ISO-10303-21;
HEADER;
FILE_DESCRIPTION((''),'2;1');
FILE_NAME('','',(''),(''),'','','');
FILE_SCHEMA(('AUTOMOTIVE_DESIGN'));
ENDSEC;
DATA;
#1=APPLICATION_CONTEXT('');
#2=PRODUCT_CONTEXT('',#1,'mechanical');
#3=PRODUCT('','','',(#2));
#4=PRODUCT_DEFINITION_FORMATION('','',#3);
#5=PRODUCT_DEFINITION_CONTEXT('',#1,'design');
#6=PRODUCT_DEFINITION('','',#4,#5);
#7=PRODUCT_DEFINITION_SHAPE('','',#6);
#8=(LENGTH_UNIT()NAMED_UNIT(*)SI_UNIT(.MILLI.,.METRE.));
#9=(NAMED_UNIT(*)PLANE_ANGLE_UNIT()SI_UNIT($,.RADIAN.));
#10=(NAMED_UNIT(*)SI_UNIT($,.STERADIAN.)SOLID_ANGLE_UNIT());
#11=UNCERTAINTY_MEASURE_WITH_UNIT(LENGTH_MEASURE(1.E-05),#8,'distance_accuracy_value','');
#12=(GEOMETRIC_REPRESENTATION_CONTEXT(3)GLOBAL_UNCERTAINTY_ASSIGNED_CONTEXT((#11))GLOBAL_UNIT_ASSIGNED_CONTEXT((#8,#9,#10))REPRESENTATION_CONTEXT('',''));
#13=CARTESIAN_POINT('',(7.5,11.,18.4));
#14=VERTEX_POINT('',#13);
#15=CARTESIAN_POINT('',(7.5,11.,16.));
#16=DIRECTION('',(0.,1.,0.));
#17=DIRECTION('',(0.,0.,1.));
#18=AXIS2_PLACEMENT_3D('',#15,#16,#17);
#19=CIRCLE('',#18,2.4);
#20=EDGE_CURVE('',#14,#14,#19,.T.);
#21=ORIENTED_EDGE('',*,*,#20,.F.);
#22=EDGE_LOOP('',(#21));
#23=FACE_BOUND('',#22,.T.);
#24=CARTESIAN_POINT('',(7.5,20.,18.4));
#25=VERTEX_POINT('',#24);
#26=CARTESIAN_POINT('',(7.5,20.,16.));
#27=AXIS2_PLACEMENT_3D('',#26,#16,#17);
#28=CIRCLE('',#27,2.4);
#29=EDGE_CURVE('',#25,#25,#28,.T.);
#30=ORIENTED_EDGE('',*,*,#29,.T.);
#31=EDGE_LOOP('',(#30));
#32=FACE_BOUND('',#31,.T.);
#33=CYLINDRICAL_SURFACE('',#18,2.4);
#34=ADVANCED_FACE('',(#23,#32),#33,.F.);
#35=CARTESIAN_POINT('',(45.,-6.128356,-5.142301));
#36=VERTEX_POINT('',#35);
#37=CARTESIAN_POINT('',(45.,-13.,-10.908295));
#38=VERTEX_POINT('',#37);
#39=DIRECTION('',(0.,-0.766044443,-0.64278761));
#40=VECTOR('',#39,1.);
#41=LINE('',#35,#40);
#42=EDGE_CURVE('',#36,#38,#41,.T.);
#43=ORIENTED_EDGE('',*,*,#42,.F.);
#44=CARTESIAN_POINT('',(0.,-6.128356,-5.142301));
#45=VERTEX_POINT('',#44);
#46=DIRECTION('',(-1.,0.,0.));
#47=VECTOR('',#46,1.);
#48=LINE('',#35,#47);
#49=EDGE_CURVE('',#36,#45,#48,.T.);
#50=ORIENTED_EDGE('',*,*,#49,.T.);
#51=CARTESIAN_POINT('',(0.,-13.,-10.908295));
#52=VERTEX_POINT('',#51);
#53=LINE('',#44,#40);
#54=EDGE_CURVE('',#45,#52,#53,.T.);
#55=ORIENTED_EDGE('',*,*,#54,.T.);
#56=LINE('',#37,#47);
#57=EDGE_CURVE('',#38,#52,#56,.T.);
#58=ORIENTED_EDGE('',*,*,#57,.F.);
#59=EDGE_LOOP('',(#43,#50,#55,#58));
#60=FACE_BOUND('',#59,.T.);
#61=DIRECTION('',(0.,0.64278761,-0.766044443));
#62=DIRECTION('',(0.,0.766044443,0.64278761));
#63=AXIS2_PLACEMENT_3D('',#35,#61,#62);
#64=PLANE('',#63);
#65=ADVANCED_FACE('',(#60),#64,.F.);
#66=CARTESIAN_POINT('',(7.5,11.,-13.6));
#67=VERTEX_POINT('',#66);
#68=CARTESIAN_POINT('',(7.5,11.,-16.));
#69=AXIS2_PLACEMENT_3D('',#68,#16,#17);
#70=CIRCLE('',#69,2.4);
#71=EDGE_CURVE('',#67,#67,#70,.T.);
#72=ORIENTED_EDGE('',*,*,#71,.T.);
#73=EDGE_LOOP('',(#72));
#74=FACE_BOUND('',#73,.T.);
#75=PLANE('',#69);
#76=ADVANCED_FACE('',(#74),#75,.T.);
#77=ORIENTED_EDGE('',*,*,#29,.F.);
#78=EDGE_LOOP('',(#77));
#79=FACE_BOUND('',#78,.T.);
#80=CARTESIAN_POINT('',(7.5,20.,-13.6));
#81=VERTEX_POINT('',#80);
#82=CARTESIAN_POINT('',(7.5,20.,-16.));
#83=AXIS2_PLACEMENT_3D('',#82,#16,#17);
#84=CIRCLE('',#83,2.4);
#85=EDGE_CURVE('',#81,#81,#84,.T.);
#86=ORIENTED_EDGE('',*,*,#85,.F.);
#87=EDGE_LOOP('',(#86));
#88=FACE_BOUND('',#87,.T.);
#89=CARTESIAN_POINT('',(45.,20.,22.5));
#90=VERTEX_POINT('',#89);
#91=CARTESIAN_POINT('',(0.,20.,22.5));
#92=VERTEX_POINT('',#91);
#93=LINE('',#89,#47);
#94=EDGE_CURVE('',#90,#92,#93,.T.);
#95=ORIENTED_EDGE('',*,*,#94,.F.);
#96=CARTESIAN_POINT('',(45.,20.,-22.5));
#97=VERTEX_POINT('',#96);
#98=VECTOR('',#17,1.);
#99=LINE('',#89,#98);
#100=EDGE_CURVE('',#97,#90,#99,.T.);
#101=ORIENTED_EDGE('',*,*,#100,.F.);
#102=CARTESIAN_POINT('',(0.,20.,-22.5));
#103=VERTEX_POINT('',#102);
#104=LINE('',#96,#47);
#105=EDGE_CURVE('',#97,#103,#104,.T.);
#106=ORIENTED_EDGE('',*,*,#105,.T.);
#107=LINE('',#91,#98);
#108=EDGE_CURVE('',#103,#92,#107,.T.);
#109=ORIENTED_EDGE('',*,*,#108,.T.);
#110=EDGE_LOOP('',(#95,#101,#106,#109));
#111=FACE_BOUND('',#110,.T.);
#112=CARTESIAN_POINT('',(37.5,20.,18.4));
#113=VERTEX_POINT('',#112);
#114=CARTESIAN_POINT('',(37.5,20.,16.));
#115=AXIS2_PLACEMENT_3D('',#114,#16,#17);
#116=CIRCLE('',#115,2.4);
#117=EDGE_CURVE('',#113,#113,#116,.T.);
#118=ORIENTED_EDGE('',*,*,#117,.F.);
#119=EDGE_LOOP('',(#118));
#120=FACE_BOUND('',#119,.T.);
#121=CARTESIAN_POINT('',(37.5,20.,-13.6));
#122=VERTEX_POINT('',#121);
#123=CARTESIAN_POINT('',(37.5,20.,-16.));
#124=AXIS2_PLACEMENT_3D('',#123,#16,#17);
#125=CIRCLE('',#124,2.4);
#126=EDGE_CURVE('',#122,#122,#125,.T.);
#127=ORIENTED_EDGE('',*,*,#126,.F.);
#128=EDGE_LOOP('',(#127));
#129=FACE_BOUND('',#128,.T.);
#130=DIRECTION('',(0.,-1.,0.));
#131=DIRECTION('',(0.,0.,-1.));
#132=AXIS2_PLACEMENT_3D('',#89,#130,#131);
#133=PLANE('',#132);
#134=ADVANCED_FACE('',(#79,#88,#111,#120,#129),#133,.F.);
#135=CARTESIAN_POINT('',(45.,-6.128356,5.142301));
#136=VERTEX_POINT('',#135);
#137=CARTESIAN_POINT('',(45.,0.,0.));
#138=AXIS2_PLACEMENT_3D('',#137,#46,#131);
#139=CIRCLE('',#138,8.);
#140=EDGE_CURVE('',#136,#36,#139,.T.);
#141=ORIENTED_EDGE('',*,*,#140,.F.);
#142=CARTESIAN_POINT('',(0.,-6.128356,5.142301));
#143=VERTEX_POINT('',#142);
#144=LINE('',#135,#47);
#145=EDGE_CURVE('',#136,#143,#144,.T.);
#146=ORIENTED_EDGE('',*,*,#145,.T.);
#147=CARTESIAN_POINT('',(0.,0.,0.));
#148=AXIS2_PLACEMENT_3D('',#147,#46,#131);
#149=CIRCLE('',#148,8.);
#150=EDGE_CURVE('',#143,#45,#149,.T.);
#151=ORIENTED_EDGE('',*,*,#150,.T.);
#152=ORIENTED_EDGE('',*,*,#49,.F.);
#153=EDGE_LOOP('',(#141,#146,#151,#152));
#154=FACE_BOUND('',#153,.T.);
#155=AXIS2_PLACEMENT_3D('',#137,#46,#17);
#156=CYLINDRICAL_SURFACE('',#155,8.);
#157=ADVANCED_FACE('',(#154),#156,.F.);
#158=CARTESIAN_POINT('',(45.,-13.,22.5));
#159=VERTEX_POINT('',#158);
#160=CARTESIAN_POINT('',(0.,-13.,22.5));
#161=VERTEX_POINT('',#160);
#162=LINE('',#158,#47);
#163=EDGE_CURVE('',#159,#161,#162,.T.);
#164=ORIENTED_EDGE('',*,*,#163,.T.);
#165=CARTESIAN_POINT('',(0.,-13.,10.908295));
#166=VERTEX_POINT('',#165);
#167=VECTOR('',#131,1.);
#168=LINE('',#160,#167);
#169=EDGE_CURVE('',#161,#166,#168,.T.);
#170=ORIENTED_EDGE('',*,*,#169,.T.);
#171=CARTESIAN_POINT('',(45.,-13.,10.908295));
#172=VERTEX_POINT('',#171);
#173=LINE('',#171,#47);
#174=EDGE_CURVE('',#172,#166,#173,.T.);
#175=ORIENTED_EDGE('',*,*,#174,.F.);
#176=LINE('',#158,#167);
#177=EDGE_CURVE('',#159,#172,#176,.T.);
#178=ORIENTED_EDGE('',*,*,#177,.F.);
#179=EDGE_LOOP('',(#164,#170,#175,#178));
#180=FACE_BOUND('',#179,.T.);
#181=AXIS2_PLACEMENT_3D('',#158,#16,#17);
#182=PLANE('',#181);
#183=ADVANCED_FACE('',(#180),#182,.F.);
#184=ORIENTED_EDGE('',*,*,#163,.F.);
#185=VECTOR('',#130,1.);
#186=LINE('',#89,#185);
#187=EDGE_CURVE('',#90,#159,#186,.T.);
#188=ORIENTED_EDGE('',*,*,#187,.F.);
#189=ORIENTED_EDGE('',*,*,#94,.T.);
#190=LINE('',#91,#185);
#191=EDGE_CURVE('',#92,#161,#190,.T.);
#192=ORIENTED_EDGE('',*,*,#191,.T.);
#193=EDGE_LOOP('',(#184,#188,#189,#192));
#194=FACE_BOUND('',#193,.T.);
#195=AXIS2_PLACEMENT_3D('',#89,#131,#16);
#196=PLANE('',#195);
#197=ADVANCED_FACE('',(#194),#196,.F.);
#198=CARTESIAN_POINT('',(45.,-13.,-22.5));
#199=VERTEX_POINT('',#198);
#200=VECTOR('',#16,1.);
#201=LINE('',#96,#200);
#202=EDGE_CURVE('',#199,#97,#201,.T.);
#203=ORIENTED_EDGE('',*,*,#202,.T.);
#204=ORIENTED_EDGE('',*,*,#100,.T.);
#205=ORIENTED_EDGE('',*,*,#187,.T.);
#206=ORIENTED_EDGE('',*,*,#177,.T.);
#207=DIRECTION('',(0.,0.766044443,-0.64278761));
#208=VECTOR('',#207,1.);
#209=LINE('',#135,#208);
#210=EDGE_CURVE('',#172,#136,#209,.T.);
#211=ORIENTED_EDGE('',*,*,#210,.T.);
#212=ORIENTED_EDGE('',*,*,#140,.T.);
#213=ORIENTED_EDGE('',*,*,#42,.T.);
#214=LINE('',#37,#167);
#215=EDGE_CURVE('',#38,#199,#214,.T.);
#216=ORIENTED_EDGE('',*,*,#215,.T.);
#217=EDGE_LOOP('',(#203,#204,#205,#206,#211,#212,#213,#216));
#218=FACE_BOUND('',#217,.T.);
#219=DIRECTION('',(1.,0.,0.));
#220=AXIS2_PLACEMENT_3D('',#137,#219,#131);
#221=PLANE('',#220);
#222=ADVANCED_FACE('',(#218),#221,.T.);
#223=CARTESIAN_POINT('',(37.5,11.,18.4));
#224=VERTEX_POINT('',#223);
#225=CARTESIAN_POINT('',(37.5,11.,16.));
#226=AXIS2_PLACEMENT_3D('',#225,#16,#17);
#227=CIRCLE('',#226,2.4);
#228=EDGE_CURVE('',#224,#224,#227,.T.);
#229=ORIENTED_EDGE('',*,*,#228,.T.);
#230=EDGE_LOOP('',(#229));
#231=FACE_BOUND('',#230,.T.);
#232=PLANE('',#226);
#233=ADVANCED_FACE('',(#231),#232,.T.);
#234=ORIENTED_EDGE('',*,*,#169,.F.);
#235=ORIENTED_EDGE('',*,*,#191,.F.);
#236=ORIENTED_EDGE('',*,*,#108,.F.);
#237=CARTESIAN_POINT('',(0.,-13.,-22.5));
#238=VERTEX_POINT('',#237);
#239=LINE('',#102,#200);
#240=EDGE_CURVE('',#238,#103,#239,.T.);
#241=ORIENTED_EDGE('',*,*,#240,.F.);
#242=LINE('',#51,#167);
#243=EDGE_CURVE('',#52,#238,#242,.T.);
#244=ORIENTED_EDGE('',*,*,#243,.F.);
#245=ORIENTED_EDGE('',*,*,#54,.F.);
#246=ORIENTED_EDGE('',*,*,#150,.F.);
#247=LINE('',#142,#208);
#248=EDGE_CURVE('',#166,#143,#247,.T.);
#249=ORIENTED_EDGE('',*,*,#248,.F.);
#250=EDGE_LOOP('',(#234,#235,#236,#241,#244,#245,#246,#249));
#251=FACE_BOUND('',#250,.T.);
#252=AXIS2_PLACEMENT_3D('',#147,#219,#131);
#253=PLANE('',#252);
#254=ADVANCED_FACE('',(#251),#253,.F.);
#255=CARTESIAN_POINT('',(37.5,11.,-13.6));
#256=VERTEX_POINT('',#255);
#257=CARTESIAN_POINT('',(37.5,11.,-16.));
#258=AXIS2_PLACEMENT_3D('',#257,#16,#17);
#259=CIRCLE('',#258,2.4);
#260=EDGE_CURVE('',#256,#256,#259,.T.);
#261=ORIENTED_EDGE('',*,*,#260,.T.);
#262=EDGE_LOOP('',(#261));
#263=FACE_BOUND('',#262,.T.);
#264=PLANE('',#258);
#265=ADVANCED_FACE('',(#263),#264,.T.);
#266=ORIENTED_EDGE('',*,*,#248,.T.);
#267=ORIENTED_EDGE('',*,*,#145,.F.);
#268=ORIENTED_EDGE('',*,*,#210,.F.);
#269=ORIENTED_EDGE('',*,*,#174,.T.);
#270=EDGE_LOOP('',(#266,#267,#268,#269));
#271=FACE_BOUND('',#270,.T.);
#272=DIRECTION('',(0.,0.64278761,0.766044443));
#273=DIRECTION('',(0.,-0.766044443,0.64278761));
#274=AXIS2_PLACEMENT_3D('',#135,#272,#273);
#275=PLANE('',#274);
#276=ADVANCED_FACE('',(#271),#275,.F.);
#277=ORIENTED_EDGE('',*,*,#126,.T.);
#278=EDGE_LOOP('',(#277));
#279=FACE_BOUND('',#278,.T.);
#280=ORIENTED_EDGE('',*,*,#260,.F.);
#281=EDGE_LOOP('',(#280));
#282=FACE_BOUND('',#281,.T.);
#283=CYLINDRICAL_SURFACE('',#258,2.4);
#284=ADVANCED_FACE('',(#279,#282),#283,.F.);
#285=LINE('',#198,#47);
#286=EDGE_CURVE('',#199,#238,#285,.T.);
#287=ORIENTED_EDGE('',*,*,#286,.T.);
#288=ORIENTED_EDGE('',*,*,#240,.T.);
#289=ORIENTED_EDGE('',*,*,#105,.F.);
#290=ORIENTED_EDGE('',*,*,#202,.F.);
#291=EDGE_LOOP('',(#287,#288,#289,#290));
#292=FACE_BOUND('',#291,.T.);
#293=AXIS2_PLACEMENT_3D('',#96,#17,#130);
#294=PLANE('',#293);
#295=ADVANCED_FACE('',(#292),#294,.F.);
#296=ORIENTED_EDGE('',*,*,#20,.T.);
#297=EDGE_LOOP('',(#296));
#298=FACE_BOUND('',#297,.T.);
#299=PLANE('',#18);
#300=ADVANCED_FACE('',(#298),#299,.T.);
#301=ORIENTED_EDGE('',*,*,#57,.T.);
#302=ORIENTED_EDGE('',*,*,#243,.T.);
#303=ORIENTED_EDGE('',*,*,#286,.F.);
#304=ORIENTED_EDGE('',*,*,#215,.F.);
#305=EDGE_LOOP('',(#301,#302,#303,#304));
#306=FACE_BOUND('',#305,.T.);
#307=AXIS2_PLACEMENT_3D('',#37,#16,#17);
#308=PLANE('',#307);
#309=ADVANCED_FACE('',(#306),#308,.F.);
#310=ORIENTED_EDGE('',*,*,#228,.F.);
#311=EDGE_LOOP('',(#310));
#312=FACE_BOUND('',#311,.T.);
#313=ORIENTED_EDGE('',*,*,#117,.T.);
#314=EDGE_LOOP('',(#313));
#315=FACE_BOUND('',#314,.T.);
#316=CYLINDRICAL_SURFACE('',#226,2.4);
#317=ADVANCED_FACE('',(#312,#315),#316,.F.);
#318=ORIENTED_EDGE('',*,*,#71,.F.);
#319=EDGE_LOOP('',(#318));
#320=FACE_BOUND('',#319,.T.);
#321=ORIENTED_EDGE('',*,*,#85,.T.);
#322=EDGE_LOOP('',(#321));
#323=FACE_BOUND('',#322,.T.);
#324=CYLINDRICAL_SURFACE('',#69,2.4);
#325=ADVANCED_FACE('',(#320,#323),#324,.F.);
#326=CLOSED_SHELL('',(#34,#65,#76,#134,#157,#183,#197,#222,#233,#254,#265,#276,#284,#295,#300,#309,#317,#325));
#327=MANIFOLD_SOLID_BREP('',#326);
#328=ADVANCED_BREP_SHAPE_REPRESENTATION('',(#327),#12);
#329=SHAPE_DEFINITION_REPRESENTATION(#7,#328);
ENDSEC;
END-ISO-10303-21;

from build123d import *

# Parameters (mm, degrees)
EXTRUDE_1_DEPTH     = 45
SKETCH_2_R          = 2.4
CUT_EXTRUDE_1_DEPTH = 9


with BuildPart() as part:
    # Эскиз1 → Бобышка-Вытянуть1 (new body)
    with BuildSketch(Plane(origin=(0, 0, 0), x_dir=(0, 0, -1), z_dir=(1, 0, 0))):
        with BuildLine():
            Line((-22.5, 20), (22.5, 20))
            Line((22.5, 20), (22.5, -13))
            Line((22.5, -13), (10.908295205, -13))
            Line((10.908295205, -13), (5.142300877, -6.128355545))
            ThreePointArc((5.142300877, -6.128355545), (0, 8), (-5.142300877, -6.128355545))
            Line((-5.142300877, -6.128355545), (-10.908295205, -13))
            Line((-10.908295205, -13), (-22.5, -13))
            Line((-22.5, -13), (-22.5, 20))
        make_face()
    extrude(amount=EXTRUDE_1_DEPTH)

    # Эскиз2 → Вырез-Вытянуть1 (cut)
    with BuildSketch(Plane(origin=(0, 20, 0), x_dir=(1, 0, 0), z_dir=(0, 1, 0))):
        with Locations((7.5, 16)):
            Circle(SKETCH_2_R)
        with Locations((37.5, 16)):
            Circle(SKETCH_2_R)
        with Locations((37.5, -16)):
            Circle(SKETCH_2_R)
        with Locations((7.5, -16)):
            Circle(SKETCH_2_R)
    extrude(amount=-CUT_EXTRUDE_1_DEPTH, mode=Mode.SUBTRACT)


solid = part.part
